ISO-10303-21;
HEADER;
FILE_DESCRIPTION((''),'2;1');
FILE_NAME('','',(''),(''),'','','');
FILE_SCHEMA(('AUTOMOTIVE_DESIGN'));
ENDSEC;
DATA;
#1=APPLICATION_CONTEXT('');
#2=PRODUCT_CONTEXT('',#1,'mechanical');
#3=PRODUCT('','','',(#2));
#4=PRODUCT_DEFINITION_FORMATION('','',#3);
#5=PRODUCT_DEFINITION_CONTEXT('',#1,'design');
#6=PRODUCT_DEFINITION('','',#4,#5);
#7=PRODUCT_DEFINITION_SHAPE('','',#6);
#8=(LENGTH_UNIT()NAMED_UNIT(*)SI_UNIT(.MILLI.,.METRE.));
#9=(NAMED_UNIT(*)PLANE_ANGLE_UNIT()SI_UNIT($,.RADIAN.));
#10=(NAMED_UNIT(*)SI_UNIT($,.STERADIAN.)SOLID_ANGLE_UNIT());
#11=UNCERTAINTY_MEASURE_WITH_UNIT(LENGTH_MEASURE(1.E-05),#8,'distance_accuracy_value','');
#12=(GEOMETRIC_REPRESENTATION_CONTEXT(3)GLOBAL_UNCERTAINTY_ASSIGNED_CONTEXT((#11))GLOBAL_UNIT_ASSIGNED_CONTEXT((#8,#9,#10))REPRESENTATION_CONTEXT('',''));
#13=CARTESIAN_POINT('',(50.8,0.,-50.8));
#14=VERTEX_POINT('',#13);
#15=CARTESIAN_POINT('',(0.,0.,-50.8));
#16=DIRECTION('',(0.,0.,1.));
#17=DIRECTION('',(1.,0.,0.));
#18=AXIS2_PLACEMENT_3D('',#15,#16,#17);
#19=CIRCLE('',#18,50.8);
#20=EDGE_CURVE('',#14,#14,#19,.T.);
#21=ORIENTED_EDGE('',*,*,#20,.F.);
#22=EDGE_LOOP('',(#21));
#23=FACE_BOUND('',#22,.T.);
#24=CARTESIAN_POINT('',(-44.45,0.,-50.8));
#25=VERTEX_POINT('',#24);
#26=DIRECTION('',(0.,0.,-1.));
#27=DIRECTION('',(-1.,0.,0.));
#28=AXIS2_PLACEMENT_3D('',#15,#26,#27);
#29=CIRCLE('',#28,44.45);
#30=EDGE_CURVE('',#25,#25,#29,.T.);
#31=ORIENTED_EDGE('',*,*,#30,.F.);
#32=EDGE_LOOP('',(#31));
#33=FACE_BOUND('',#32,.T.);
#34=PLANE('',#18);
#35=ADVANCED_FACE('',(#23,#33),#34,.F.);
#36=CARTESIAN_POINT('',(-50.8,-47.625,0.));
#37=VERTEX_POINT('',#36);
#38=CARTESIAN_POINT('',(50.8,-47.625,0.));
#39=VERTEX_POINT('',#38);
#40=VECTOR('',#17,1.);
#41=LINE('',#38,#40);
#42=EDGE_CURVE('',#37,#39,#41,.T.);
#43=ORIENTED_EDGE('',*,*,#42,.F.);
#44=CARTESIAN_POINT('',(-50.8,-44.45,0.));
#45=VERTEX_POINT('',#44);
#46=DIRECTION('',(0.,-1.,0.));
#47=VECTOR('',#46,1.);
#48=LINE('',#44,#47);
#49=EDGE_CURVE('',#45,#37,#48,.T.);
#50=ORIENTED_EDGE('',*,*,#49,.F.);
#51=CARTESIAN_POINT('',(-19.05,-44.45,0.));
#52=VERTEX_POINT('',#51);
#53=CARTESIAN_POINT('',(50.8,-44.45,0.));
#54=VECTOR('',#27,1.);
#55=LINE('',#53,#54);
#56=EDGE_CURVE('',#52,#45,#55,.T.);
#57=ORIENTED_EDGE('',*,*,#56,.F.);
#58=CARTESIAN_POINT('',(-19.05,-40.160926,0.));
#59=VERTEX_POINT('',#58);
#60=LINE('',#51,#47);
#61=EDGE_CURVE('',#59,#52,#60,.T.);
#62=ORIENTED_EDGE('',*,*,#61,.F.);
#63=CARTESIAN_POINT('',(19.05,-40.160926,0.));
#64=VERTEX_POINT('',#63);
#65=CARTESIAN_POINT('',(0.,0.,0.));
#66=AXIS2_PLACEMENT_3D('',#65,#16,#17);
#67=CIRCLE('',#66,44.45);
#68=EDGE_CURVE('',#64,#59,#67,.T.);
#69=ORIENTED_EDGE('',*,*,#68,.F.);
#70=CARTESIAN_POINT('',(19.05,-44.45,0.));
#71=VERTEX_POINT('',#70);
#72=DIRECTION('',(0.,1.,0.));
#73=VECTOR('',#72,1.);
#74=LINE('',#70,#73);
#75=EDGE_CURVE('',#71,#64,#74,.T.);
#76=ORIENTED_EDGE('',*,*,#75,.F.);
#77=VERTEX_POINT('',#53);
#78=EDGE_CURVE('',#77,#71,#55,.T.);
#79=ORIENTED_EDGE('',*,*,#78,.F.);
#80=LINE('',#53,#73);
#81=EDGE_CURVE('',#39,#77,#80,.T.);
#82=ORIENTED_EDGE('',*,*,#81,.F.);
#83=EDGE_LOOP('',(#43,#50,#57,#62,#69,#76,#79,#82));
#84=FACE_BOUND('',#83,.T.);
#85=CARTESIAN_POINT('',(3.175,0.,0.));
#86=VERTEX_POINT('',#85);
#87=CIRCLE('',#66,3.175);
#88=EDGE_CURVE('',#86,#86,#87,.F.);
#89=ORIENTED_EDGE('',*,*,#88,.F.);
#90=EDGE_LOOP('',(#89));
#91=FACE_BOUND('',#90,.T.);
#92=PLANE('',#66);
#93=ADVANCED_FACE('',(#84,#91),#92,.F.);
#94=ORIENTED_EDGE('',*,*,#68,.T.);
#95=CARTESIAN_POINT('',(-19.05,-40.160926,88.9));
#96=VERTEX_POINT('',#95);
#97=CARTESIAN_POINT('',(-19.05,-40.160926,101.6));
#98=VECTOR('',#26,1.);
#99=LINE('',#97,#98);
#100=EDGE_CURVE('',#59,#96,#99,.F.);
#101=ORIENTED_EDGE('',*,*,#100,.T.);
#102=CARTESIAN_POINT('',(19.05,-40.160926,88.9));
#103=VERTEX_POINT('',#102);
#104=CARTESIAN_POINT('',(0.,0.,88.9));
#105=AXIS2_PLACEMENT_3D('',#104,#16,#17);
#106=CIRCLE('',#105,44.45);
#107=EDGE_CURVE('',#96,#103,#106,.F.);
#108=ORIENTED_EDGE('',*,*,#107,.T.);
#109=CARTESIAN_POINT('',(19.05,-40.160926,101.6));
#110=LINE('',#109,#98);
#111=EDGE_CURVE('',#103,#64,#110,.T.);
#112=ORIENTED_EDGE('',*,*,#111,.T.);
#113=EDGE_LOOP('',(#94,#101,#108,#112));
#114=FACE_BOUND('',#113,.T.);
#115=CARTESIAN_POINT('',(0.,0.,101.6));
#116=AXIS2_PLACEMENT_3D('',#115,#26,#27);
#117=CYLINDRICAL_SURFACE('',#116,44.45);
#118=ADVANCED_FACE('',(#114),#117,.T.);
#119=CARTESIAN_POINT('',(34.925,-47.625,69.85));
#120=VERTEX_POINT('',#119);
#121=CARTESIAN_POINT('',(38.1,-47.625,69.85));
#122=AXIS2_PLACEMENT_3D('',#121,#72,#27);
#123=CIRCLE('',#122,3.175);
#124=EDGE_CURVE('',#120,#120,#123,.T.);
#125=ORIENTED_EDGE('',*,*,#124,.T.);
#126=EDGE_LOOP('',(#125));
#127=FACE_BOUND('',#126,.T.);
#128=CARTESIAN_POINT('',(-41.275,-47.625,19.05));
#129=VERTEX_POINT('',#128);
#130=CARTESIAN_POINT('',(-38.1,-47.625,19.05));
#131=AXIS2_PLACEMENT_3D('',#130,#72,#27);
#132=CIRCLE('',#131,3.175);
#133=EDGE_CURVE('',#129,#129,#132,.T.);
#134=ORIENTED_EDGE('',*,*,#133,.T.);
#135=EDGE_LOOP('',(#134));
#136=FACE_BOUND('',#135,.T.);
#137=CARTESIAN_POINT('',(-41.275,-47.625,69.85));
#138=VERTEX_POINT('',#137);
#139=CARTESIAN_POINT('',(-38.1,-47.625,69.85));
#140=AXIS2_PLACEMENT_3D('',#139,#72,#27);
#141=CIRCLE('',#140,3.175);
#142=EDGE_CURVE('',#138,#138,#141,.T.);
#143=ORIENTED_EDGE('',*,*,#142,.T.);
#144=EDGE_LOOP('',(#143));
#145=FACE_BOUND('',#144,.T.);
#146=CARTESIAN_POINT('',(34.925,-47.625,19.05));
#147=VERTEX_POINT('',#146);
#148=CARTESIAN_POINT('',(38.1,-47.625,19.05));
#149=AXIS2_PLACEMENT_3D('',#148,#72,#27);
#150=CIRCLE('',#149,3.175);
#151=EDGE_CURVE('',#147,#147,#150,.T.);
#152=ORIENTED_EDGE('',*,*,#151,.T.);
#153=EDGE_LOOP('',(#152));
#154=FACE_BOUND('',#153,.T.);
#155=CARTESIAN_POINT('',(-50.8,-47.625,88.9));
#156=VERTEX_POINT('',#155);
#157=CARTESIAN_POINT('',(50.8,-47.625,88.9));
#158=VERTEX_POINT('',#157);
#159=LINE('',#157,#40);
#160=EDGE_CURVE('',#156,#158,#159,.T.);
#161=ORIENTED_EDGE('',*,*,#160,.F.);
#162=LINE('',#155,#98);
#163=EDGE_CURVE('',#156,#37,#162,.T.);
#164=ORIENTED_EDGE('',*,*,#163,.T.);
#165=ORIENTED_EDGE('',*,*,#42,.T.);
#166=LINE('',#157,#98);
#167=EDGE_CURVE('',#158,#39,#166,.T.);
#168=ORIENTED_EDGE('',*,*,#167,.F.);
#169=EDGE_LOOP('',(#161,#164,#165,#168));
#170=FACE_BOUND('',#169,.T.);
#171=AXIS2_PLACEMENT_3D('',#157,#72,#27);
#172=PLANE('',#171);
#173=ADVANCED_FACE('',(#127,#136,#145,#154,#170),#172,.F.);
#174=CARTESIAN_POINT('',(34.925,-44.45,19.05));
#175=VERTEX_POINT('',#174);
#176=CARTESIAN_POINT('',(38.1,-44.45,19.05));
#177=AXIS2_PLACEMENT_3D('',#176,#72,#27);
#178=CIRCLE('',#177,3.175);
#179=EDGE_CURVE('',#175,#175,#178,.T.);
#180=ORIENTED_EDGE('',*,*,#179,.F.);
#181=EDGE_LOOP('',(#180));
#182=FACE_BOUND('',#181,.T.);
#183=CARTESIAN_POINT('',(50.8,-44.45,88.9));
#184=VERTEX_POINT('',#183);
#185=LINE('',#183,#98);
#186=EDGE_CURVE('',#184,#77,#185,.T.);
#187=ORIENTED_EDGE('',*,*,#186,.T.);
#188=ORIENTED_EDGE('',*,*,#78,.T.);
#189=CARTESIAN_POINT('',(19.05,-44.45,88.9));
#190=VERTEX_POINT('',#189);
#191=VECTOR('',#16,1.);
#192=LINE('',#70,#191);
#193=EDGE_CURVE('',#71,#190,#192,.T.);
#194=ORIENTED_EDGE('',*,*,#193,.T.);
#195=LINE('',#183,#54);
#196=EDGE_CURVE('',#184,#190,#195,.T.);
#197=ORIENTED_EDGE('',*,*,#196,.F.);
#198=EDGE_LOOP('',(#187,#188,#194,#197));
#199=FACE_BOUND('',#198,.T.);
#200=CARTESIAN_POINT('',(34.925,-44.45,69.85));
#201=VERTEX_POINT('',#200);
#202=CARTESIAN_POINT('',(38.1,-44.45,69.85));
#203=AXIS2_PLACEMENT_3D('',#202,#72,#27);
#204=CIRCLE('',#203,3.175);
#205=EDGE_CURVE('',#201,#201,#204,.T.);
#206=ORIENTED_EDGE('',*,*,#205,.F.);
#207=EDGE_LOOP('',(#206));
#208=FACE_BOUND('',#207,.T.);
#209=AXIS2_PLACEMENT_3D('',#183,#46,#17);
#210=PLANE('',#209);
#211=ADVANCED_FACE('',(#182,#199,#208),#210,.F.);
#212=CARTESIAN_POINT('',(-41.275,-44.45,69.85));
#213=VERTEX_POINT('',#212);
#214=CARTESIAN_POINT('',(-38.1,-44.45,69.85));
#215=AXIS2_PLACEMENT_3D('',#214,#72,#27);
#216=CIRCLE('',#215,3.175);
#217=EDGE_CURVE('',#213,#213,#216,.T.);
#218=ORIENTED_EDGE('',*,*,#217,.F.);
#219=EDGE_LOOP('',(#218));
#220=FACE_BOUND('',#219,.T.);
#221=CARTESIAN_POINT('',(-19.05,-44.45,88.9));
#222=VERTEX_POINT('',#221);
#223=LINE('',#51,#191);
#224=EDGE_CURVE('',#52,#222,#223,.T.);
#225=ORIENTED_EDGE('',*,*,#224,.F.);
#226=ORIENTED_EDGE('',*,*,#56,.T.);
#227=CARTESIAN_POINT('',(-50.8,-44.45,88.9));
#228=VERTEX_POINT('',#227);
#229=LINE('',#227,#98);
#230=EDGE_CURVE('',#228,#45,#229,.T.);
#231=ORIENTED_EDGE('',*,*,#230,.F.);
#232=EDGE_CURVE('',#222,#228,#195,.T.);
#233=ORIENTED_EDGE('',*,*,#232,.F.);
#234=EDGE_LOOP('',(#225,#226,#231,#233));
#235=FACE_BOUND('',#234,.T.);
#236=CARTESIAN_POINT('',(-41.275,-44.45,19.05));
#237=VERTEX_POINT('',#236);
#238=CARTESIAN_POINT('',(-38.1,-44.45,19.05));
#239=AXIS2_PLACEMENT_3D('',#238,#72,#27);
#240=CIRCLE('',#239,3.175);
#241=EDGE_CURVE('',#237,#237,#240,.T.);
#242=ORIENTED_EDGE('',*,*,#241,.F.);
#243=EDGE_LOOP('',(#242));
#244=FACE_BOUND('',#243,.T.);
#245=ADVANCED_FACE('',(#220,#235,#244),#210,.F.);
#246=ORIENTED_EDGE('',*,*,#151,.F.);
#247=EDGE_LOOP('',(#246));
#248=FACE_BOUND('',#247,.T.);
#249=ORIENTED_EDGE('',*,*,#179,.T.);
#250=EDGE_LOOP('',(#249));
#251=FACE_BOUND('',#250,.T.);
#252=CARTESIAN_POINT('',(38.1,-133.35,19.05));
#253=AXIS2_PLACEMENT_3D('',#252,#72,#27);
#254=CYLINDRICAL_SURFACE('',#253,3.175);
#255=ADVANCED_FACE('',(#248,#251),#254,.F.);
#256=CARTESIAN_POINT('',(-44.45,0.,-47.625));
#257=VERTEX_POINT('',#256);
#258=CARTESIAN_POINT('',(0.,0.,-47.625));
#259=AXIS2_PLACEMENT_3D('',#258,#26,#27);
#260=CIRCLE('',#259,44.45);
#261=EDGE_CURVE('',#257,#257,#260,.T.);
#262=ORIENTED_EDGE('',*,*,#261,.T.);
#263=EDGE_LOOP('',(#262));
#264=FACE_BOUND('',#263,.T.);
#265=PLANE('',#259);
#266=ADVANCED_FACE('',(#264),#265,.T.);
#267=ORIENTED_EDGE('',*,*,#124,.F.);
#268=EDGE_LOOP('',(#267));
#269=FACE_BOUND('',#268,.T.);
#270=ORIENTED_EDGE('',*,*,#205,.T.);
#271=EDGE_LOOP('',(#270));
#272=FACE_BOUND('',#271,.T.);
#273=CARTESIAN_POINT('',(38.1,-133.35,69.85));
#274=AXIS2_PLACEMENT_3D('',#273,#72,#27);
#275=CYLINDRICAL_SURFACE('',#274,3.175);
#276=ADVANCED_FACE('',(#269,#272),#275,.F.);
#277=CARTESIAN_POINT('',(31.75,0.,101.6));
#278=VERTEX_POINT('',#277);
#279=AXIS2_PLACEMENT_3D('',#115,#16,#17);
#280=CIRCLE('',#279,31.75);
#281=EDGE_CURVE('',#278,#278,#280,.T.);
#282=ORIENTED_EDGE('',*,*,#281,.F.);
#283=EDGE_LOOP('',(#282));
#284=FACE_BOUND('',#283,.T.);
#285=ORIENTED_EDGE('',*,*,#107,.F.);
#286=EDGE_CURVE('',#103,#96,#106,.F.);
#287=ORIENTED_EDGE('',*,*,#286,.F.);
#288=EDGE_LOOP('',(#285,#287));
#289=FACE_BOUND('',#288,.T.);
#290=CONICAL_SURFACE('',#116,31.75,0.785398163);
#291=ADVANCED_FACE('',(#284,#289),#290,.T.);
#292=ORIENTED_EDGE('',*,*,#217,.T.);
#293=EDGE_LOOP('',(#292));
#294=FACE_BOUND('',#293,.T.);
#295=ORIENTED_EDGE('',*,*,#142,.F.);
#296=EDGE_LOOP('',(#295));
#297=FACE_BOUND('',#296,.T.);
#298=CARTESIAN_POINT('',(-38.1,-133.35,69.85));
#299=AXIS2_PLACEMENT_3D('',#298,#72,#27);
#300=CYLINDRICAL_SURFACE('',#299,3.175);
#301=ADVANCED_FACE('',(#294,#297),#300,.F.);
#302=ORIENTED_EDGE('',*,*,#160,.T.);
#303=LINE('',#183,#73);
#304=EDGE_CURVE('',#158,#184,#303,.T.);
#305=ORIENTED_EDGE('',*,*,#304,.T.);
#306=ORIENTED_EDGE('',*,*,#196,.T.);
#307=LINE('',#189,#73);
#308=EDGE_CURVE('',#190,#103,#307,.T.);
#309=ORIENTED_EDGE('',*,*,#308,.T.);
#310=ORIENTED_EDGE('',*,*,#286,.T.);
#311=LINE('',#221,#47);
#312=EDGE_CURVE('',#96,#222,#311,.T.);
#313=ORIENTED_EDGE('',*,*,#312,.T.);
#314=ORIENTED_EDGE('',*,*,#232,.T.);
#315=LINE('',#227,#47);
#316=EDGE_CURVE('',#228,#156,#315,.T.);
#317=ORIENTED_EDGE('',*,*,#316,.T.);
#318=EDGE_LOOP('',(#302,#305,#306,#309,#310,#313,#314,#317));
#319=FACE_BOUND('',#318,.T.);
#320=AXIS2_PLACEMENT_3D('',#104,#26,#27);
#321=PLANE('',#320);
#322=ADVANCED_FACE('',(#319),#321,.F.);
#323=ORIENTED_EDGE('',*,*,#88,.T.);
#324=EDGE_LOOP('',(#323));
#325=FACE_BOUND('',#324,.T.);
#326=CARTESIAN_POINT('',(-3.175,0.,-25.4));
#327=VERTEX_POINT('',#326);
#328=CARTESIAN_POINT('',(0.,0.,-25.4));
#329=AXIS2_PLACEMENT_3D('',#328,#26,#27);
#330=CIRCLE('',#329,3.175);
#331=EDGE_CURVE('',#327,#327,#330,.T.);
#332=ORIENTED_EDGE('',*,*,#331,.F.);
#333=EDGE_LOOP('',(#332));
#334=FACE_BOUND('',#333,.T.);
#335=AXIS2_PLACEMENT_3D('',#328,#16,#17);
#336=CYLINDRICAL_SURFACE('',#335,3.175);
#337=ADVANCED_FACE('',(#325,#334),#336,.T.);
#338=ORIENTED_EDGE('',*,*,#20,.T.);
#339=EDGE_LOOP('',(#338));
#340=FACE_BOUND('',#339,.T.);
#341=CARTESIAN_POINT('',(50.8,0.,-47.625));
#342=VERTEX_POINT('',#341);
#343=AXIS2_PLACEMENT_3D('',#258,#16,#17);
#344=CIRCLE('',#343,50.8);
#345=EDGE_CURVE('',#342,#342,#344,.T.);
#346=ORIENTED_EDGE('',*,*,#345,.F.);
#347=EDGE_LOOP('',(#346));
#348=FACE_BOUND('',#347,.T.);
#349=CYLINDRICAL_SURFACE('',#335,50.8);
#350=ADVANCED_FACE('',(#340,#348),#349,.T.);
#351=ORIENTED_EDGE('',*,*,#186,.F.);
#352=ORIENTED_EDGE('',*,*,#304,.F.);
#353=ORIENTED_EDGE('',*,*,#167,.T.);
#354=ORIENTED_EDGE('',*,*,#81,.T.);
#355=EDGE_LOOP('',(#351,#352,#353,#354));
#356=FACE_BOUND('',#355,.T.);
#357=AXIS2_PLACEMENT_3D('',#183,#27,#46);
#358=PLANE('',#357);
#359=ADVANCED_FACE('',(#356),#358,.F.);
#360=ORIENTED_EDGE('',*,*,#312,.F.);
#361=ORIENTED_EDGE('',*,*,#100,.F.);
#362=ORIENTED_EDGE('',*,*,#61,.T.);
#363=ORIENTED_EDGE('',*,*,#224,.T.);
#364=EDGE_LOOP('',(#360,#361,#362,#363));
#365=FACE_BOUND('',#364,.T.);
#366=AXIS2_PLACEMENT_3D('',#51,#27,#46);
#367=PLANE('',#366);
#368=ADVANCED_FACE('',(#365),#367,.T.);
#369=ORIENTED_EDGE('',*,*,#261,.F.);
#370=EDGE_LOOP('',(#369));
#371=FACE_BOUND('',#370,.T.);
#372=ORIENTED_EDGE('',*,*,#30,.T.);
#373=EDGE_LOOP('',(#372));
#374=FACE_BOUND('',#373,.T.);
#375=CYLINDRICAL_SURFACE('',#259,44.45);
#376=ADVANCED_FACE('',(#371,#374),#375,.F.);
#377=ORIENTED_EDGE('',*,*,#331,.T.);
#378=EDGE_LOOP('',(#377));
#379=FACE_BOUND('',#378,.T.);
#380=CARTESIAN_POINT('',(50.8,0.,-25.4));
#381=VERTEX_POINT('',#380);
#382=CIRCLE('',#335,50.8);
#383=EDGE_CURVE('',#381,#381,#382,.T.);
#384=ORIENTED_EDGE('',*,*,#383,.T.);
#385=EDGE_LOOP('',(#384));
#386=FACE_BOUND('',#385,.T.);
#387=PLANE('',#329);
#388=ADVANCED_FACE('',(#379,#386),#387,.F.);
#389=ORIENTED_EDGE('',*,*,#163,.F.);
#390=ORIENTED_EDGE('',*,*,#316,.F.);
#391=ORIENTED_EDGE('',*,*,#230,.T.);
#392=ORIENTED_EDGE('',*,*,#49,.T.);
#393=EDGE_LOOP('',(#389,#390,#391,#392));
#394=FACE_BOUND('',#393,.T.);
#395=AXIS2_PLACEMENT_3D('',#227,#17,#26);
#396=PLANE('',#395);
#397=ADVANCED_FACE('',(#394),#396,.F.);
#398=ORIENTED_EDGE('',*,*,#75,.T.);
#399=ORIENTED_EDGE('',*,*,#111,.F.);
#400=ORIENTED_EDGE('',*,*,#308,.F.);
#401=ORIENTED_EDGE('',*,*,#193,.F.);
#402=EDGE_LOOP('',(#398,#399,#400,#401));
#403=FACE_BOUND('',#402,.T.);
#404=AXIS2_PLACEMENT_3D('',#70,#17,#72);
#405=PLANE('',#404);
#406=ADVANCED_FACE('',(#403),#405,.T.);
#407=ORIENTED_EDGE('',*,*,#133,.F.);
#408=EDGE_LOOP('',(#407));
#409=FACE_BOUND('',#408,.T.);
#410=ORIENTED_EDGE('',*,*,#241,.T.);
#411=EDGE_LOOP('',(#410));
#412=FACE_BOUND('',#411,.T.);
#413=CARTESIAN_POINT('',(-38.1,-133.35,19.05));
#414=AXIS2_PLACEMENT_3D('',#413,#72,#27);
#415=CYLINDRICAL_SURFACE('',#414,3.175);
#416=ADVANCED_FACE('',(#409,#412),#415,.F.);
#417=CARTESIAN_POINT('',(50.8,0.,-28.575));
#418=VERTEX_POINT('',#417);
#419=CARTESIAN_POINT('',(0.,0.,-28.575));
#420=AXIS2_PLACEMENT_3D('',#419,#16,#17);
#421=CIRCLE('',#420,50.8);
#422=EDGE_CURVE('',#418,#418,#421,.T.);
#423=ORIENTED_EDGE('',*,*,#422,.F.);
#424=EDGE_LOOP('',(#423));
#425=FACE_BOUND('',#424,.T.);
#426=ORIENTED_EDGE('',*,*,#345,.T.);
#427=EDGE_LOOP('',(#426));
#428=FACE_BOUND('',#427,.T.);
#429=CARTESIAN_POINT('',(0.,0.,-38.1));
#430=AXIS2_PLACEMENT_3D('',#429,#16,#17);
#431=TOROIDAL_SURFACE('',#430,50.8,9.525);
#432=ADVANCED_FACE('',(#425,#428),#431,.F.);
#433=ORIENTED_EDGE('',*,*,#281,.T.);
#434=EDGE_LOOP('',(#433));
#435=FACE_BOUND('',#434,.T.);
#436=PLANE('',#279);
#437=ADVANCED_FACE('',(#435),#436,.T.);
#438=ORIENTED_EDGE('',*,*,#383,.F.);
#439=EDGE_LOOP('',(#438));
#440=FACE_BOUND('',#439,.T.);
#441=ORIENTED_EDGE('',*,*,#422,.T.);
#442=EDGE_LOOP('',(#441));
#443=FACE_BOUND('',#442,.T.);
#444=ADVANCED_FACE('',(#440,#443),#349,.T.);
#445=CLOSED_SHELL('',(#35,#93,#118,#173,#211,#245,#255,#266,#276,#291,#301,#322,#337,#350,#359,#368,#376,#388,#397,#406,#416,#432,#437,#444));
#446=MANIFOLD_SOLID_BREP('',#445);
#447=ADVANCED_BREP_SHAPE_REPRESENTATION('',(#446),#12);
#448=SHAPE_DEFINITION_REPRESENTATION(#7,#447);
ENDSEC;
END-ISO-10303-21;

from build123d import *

# Parameters (mm, degrees)
SKETCH1_R           = 44.45
BOSS_EXTRUDE1_DEPTH = 101.6
CHAMFER1_SIZE       = 12.7
SKETCH2_R           = 3.175
BOSS_EXTRUDE2_DEPTH = 25.4
SKETCH4_R           = 44.45
CUT_EXTRUDE1_DEPTH  = 3.175
SKETCH5_W           = 101.6
SKETCH5_H           = 3.175
BOSS_EXTRUDE4_DEPTH = 88.9
SKETCH6_W           = 38.1
SKETCH6_H           = 7.01009255
BOSS_EXTRUDE5_DEPTH = 88.9
SKETCH7_R           = 3.175
CUT_EXTRUDE2_DEPTH  = 88.9
SKETCH8_R           = 3.175
CUT_EXTRUDE3_DEPTH  = 88.9


with BuildPart() as part:
    # Sketch1 → Boss-Extrude1 (new body)
    with BuildSketch(Plane.XY):
        Circle(SKETCH1_R)
    extrude(amount=BOSS_EXTRUDE1_DEPTH)

    # Chamfer1
    chamfer1_edges = [part.edges().sort_by_distance(p)[0] for p in [
        (-44.45, 0, 101.6),
    ]]
    chamfer(chamfer1_edges, length=CHAMFER1_SIZE)

    # Sketch2 → Boss-Extrude2 (add)
    with BuildSketch(Plane(origin=(0, 0, 0), x_dir=(-1, 0, 0), z_dir=(0, 0, -1))):
        with Locations(Location((0, 0, 0), (0, 0, 180))):
            Circle(SKETCH2_R)
    extrude(amount=BOSS_EXTRUDE2_DEPTH)

    # Sketch3 → Revolve2 (revolve)
    with BuildSketch(Plane(origin=(0, 0, 0), x_dir=(0, 0, -1), z_dir=(1, 0, 0)), mode=Mode.PRIVATE) as revolve2_sk:
        with BuildLine():
            Line((25.4, 0), (50.8, 0))
            Line((50.8, 0), (50.8, 50.8))
            Line((50.8, 50.8), (47.625, 50.8))
            ThreePointArc((47.625, 50.8), (38.1, 41.275), (28.575, 50.8))
            Line((28.575, 50.8), (25.4, 50.8))
            Line((25.4, 50.8), (25.4, 0))
        make_face()
    revolve(revolve2_sk.sketch.rotate(Axis((0, 0, -25.4), (0, 0, -1)), 90), axis=Axis((0, 0, -25.4), (0, 0, -1)))

    # Sketch4 → Cut-Extrude1 (cut)
    with BuildSketch(Plane(origin=(0, 0, -50.8), x_dir=(-1, 0, 0), z_dir=(0, 0, -1))):
        Circle(SKETCH4_R)
    extrude(amount=-CUT_EXTRUDE1_DEPTH, mode=Mode.SUBTRACT)



with BuildPart() as body_2:
    # Sketch5 → Boss-Extrude4 (new body)
    with BuildSketch(Plane.XY):
        with Locations((0, -46.0375)):
            Rectangle(SKETCH5_W, SKETCH5_H)
    extrude(amount=BOSS_EXTRUDE4_DEPTH)


with BuildPart() as part_1:
    add(part.part)

    add(body_2.part)  # Boss-Extrude5 merges body 2
    # Sketch6 → Boss-Extrude5 (add)
    with BuildSketch(Plane.XY.offset(88.9)):
        with Locations((0, -40.944953725)):
            Rectangle(SKETCH6_W, SKETCH6_H)
    extrude(amount=-BOSS_EXTRUDE5_DEPTH)

    # Sketch7 → Cut-Extrude2 (cut)
    with BuildSketch(Plane(origin=(0, -44.45, 0), x_dir=(1, 0, 0), z_dir=(0, 1, 0))):
        with Locations(Location((38.1, -19.05, 0), (0, 0, 180))):
            Circle(SKETCH7_R)
        with Locations(Location((38.1, -69.85, 0), (0, 0, 180))):
            Circle(SKETCH7_R)
    extrude(amount=-CUT_EXTRUDE2_DEPTH, mode=Mode.SUBTRACT)

    # Sketch8 → Cut-Extrude3 (cut)
    with BuildSketch(Plane(origin=(0, -44.45, 0), x_dir=(1, 0, 0), z_dir=(0, 1, 0))):
        with Locations(Location((-38.1, -19.05, 0), (0, 0, 180))):
            Circle(SKETCH8_R)
        with Locations(Location((-38.1, -69.85, 0), (0, 0, 180))):
            Circle(SKETCH8_R)
    extrude(amount=-CUT_EXTRUDE3_DEPTH, mode=Mode.SUBTRACT)


solid = part_1.part
